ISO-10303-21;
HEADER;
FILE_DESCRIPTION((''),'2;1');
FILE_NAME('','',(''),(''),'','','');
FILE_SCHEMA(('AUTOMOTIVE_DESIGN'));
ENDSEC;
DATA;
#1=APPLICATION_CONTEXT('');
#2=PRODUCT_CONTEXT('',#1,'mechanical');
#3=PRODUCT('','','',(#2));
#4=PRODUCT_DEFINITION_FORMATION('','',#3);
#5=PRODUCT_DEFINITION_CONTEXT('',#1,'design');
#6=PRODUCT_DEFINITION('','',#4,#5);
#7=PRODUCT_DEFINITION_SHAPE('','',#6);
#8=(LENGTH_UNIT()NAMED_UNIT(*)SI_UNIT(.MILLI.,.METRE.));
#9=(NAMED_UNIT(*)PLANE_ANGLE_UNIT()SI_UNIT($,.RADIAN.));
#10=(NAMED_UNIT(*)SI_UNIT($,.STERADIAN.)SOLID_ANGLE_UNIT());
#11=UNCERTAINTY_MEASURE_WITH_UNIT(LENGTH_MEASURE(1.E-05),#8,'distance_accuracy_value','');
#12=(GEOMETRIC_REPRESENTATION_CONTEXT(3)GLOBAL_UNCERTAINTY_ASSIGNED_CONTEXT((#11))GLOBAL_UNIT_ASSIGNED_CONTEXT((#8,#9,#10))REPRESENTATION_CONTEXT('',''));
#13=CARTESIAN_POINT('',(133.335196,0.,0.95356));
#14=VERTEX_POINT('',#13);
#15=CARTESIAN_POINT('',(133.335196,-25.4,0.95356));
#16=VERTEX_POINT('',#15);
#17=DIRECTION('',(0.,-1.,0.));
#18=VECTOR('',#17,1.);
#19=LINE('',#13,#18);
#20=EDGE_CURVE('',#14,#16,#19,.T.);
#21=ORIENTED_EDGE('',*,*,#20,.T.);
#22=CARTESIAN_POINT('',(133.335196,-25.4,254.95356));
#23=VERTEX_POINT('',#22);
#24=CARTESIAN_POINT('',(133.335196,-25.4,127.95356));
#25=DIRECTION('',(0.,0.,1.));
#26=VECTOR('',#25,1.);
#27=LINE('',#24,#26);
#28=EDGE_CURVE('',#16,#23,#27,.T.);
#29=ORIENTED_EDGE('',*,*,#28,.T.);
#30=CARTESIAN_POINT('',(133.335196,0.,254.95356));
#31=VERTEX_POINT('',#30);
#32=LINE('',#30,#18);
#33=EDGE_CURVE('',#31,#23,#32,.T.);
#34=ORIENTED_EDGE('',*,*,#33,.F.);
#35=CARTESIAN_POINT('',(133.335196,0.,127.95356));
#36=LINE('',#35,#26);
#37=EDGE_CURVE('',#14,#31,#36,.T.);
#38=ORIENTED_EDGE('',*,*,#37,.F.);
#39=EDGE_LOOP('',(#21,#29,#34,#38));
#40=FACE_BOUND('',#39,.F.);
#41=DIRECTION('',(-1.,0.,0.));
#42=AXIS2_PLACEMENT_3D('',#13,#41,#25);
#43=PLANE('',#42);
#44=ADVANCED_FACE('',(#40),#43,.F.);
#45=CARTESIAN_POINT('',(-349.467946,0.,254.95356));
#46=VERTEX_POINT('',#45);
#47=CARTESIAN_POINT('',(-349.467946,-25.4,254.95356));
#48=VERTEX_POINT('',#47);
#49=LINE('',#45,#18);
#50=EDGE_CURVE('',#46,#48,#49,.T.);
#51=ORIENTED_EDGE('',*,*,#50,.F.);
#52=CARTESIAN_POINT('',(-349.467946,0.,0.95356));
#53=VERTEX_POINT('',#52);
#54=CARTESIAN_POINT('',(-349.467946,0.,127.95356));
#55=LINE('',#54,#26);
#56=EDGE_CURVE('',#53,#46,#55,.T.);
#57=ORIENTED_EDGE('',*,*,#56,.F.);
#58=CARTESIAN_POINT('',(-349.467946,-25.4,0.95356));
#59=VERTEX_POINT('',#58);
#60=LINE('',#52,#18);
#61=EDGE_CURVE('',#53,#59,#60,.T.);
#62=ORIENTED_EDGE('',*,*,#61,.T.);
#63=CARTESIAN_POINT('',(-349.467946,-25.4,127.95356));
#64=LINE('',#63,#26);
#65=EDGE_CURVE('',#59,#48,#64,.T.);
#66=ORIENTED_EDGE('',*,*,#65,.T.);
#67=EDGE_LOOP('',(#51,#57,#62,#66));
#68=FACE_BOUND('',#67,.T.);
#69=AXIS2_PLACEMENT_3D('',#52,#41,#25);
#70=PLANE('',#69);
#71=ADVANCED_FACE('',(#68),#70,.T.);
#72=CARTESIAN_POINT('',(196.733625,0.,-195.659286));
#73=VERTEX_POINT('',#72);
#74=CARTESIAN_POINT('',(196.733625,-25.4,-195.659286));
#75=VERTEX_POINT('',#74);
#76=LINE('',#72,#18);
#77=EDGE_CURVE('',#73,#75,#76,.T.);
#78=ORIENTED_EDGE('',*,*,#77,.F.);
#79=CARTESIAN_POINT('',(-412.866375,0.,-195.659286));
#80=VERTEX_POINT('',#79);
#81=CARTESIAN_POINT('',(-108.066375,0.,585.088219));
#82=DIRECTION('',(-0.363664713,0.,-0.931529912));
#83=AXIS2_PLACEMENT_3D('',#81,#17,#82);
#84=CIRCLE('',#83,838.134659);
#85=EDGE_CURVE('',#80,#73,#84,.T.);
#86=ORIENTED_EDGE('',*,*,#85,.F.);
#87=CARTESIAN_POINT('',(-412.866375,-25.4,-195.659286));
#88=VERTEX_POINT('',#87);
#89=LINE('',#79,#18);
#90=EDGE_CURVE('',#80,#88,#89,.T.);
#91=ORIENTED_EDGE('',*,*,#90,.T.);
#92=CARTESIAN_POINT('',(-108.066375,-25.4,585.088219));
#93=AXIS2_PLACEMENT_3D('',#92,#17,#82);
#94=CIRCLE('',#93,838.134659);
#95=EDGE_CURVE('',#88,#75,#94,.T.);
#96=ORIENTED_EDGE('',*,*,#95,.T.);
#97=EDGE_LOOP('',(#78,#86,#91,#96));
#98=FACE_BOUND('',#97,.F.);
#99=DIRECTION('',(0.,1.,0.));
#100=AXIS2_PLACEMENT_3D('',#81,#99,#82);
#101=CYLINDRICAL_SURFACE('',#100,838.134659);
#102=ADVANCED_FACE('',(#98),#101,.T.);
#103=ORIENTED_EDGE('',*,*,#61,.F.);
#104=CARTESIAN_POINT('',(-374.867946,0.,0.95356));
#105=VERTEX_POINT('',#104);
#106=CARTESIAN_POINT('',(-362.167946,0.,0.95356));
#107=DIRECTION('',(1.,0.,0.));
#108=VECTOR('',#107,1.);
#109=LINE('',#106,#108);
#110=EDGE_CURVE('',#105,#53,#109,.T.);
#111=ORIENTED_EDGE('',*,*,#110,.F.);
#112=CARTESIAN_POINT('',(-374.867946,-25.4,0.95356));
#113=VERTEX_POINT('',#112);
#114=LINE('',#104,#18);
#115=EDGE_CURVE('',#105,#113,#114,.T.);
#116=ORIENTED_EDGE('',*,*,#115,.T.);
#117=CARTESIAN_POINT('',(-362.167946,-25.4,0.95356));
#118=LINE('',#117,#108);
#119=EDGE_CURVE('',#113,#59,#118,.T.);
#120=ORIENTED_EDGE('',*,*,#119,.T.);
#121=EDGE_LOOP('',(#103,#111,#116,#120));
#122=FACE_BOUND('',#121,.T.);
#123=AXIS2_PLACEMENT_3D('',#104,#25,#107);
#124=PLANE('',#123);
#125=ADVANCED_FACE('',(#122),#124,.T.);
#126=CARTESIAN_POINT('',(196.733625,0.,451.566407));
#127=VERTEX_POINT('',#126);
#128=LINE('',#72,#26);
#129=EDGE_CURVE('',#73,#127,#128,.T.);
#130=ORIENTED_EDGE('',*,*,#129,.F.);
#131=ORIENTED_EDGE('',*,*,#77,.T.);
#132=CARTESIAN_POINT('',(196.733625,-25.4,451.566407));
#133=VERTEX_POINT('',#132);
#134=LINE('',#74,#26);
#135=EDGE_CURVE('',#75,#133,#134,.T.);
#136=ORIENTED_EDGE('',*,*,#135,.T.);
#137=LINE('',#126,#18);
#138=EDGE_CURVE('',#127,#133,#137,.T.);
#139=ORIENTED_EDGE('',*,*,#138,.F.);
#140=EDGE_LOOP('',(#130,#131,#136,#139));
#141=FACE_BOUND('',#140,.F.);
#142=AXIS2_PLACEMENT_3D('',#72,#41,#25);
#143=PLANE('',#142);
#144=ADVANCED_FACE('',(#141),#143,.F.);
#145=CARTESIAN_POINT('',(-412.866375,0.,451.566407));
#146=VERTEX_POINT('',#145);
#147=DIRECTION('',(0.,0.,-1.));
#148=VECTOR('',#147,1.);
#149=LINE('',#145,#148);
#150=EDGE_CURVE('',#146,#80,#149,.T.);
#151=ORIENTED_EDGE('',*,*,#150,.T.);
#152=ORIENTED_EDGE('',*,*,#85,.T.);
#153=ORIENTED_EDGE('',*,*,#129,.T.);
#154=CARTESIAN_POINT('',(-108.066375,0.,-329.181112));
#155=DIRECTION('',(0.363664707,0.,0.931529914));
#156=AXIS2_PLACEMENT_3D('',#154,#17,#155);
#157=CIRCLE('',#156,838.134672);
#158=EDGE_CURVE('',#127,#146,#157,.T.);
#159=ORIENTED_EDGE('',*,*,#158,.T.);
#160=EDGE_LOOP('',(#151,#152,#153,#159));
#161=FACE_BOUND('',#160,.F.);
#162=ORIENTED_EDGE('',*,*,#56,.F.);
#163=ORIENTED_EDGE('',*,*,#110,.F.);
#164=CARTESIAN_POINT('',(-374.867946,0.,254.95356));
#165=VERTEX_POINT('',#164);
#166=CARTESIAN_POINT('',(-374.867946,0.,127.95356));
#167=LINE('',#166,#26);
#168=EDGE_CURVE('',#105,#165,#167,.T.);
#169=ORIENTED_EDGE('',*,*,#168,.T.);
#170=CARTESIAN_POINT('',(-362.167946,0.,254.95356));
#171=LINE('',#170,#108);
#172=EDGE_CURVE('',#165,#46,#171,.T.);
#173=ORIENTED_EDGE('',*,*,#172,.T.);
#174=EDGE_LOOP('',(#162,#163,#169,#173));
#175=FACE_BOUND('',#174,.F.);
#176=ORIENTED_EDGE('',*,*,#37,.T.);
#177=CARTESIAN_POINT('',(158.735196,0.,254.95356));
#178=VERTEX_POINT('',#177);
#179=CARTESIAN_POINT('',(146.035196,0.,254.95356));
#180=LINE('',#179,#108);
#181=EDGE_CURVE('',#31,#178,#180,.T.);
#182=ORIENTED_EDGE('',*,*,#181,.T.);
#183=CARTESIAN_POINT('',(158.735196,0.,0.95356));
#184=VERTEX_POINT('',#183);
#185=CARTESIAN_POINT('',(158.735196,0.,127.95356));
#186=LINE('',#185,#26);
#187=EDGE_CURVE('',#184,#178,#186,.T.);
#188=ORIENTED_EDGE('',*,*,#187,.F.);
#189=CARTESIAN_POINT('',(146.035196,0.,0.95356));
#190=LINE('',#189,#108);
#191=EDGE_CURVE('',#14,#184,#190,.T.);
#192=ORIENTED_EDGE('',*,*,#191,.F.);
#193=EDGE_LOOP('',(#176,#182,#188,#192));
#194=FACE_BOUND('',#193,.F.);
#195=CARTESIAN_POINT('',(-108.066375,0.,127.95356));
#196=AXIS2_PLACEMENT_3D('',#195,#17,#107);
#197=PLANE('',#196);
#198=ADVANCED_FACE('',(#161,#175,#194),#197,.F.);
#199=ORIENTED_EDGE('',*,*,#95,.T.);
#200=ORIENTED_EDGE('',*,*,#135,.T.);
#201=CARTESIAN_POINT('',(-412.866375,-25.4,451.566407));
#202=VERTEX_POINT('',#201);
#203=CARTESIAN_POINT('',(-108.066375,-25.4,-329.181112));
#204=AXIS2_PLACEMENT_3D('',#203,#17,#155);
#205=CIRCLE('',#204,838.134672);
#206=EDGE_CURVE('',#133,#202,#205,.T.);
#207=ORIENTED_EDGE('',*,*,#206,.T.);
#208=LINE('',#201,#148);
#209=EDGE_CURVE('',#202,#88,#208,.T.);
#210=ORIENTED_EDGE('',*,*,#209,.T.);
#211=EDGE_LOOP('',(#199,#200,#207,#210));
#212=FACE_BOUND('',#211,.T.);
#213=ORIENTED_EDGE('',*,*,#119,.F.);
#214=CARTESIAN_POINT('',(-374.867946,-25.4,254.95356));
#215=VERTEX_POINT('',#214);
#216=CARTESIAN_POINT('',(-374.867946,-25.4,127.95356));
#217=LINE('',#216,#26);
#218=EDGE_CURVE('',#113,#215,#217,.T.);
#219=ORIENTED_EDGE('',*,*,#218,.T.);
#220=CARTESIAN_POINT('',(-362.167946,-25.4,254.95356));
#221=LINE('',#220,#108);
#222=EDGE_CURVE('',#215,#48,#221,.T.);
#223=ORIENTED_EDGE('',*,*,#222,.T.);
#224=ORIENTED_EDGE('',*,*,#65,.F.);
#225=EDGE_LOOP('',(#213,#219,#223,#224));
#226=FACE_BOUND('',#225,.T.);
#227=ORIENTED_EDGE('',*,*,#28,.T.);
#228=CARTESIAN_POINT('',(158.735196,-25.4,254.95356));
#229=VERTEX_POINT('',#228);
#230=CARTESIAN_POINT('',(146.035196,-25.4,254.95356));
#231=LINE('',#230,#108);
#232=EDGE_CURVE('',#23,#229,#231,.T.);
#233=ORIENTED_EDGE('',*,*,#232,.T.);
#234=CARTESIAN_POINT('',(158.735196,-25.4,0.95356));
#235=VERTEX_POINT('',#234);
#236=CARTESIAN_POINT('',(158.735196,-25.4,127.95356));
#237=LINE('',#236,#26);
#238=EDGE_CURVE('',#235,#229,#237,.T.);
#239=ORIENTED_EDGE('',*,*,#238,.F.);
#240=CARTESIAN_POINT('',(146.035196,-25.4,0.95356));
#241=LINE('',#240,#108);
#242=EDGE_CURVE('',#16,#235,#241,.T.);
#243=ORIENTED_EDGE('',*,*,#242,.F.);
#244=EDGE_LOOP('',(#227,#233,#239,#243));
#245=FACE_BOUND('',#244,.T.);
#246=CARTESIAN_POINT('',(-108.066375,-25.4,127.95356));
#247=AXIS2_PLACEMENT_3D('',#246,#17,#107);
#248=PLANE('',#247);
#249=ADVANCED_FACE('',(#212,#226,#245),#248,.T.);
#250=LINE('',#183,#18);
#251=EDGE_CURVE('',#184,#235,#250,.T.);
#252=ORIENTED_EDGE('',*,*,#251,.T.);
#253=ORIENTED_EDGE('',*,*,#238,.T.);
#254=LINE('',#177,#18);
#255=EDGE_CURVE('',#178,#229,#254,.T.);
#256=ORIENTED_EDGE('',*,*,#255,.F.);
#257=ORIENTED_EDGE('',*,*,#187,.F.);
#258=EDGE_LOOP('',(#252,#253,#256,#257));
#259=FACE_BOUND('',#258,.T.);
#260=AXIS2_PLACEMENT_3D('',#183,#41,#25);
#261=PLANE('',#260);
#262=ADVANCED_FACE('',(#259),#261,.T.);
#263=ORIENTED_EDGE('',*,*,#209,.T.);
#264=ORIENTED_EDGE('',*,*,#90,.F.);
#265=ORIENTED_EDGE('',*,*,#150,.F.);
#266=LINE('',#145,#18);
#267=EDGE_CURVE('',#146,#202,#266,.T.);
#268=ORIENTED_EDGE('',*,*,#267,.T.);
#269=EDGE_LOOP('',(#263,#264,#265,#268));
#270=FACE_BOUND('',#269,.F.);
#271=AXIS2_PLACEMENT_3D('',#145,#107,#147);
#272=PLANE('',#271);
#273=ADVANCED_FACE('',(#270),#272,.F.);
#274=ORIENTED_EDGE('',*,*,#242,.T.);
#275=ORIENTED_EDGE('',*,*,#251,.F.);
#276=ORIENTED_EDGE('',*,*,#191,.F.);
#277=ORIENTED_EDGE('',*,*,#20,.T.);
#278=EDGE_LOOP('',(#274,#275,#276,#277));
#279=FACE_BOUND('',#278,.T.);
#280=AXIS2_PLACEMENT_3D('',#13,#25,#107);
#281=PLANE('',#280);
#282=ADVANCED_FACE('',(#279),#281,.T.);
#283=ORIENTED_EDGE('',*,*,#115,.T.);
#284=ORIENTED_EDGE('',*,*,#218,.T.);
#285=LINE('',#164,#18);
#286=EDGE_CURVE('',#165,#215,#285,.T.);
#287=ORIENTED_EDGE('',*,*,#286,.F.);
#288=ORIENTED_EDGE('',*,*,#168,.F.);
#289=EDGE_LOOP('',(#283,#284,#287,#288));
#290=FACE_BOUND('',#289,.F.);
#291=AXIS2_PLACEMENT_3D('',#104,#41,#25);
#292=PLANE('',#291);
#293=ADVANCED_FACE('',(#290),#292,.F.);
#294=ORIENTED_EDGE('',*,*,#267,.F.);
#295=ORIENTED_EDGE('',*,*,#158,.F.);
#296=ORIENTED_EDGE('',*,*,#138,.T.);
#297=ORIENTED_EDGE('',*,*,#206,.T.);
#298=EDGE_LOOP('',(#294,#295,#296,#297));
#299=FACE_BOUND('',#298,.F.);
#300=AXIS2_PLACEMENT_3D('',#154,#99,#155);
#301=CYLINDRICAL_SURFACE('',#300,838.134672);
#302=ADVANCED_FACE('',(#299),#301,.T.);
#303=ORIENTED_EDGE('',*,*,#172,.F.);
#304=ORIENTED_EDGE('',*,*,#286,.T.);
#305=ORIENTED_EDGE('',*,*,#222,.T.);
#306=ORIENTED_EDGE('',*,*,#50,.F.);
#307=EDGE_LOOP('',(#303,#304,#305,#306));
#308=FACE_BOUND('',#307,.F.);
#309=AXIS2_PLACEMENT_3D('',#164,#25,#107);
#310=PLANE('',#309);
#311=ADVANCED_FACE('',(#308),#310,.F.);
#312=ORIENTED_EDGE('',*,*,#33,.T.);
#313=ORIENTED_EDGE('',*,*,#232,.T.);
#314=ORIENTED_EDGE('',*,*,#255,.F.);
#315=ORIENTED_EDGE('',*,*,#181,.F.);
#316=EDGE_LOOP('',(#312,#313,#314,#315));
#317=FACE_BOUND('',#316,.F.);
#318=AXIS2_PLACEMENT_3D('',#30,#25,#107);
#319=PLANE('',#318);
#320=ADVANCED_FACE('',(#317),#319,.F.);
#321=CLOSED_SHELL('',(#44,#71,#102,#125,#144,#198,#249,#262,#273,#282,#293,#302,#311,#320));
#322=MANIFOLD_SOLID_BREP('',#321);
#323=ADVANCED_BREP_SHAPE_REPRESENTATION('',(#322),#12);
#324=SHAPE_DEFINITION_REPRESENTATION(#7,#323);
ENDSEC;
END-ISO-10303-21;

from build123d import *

# Parameters (mm, degrees)
F0_W     = 25.4
F0_H     = 254
F1_DEPTH = 25.4


with BuildPart() as f1:
    # F0 (on Front) → F1 (new body)
    with BuildSketch(Plane.XZ):
        with BuildLine():
            Line((-412.866375, 451.566407), (-412.866375, -195.659286))
            ThreePointArc((-412.866375, -195.659286), (-108.066375, -253.04644), (196.733625, -195.659286))
            Line((196.733625, -195.659286), (196.733625, 451.566407))
            ThreePointArc((196.733625, 451.566407), (-108.066375, 508.95356), (-412.866375, 451.566407))
        make_face()
        with Locations((-362.167946, 127.95356)):
            Rectangle(F0_W, F0_H, mode=Mode.SUBTRACT)
        with Locations((146.035196, 127.95356)):
            Rectangle(F0_W, F0_H, mode=Mode.SUBTRACT)
    extrude(amount=F1_DEPTH)


solid = f1.part
